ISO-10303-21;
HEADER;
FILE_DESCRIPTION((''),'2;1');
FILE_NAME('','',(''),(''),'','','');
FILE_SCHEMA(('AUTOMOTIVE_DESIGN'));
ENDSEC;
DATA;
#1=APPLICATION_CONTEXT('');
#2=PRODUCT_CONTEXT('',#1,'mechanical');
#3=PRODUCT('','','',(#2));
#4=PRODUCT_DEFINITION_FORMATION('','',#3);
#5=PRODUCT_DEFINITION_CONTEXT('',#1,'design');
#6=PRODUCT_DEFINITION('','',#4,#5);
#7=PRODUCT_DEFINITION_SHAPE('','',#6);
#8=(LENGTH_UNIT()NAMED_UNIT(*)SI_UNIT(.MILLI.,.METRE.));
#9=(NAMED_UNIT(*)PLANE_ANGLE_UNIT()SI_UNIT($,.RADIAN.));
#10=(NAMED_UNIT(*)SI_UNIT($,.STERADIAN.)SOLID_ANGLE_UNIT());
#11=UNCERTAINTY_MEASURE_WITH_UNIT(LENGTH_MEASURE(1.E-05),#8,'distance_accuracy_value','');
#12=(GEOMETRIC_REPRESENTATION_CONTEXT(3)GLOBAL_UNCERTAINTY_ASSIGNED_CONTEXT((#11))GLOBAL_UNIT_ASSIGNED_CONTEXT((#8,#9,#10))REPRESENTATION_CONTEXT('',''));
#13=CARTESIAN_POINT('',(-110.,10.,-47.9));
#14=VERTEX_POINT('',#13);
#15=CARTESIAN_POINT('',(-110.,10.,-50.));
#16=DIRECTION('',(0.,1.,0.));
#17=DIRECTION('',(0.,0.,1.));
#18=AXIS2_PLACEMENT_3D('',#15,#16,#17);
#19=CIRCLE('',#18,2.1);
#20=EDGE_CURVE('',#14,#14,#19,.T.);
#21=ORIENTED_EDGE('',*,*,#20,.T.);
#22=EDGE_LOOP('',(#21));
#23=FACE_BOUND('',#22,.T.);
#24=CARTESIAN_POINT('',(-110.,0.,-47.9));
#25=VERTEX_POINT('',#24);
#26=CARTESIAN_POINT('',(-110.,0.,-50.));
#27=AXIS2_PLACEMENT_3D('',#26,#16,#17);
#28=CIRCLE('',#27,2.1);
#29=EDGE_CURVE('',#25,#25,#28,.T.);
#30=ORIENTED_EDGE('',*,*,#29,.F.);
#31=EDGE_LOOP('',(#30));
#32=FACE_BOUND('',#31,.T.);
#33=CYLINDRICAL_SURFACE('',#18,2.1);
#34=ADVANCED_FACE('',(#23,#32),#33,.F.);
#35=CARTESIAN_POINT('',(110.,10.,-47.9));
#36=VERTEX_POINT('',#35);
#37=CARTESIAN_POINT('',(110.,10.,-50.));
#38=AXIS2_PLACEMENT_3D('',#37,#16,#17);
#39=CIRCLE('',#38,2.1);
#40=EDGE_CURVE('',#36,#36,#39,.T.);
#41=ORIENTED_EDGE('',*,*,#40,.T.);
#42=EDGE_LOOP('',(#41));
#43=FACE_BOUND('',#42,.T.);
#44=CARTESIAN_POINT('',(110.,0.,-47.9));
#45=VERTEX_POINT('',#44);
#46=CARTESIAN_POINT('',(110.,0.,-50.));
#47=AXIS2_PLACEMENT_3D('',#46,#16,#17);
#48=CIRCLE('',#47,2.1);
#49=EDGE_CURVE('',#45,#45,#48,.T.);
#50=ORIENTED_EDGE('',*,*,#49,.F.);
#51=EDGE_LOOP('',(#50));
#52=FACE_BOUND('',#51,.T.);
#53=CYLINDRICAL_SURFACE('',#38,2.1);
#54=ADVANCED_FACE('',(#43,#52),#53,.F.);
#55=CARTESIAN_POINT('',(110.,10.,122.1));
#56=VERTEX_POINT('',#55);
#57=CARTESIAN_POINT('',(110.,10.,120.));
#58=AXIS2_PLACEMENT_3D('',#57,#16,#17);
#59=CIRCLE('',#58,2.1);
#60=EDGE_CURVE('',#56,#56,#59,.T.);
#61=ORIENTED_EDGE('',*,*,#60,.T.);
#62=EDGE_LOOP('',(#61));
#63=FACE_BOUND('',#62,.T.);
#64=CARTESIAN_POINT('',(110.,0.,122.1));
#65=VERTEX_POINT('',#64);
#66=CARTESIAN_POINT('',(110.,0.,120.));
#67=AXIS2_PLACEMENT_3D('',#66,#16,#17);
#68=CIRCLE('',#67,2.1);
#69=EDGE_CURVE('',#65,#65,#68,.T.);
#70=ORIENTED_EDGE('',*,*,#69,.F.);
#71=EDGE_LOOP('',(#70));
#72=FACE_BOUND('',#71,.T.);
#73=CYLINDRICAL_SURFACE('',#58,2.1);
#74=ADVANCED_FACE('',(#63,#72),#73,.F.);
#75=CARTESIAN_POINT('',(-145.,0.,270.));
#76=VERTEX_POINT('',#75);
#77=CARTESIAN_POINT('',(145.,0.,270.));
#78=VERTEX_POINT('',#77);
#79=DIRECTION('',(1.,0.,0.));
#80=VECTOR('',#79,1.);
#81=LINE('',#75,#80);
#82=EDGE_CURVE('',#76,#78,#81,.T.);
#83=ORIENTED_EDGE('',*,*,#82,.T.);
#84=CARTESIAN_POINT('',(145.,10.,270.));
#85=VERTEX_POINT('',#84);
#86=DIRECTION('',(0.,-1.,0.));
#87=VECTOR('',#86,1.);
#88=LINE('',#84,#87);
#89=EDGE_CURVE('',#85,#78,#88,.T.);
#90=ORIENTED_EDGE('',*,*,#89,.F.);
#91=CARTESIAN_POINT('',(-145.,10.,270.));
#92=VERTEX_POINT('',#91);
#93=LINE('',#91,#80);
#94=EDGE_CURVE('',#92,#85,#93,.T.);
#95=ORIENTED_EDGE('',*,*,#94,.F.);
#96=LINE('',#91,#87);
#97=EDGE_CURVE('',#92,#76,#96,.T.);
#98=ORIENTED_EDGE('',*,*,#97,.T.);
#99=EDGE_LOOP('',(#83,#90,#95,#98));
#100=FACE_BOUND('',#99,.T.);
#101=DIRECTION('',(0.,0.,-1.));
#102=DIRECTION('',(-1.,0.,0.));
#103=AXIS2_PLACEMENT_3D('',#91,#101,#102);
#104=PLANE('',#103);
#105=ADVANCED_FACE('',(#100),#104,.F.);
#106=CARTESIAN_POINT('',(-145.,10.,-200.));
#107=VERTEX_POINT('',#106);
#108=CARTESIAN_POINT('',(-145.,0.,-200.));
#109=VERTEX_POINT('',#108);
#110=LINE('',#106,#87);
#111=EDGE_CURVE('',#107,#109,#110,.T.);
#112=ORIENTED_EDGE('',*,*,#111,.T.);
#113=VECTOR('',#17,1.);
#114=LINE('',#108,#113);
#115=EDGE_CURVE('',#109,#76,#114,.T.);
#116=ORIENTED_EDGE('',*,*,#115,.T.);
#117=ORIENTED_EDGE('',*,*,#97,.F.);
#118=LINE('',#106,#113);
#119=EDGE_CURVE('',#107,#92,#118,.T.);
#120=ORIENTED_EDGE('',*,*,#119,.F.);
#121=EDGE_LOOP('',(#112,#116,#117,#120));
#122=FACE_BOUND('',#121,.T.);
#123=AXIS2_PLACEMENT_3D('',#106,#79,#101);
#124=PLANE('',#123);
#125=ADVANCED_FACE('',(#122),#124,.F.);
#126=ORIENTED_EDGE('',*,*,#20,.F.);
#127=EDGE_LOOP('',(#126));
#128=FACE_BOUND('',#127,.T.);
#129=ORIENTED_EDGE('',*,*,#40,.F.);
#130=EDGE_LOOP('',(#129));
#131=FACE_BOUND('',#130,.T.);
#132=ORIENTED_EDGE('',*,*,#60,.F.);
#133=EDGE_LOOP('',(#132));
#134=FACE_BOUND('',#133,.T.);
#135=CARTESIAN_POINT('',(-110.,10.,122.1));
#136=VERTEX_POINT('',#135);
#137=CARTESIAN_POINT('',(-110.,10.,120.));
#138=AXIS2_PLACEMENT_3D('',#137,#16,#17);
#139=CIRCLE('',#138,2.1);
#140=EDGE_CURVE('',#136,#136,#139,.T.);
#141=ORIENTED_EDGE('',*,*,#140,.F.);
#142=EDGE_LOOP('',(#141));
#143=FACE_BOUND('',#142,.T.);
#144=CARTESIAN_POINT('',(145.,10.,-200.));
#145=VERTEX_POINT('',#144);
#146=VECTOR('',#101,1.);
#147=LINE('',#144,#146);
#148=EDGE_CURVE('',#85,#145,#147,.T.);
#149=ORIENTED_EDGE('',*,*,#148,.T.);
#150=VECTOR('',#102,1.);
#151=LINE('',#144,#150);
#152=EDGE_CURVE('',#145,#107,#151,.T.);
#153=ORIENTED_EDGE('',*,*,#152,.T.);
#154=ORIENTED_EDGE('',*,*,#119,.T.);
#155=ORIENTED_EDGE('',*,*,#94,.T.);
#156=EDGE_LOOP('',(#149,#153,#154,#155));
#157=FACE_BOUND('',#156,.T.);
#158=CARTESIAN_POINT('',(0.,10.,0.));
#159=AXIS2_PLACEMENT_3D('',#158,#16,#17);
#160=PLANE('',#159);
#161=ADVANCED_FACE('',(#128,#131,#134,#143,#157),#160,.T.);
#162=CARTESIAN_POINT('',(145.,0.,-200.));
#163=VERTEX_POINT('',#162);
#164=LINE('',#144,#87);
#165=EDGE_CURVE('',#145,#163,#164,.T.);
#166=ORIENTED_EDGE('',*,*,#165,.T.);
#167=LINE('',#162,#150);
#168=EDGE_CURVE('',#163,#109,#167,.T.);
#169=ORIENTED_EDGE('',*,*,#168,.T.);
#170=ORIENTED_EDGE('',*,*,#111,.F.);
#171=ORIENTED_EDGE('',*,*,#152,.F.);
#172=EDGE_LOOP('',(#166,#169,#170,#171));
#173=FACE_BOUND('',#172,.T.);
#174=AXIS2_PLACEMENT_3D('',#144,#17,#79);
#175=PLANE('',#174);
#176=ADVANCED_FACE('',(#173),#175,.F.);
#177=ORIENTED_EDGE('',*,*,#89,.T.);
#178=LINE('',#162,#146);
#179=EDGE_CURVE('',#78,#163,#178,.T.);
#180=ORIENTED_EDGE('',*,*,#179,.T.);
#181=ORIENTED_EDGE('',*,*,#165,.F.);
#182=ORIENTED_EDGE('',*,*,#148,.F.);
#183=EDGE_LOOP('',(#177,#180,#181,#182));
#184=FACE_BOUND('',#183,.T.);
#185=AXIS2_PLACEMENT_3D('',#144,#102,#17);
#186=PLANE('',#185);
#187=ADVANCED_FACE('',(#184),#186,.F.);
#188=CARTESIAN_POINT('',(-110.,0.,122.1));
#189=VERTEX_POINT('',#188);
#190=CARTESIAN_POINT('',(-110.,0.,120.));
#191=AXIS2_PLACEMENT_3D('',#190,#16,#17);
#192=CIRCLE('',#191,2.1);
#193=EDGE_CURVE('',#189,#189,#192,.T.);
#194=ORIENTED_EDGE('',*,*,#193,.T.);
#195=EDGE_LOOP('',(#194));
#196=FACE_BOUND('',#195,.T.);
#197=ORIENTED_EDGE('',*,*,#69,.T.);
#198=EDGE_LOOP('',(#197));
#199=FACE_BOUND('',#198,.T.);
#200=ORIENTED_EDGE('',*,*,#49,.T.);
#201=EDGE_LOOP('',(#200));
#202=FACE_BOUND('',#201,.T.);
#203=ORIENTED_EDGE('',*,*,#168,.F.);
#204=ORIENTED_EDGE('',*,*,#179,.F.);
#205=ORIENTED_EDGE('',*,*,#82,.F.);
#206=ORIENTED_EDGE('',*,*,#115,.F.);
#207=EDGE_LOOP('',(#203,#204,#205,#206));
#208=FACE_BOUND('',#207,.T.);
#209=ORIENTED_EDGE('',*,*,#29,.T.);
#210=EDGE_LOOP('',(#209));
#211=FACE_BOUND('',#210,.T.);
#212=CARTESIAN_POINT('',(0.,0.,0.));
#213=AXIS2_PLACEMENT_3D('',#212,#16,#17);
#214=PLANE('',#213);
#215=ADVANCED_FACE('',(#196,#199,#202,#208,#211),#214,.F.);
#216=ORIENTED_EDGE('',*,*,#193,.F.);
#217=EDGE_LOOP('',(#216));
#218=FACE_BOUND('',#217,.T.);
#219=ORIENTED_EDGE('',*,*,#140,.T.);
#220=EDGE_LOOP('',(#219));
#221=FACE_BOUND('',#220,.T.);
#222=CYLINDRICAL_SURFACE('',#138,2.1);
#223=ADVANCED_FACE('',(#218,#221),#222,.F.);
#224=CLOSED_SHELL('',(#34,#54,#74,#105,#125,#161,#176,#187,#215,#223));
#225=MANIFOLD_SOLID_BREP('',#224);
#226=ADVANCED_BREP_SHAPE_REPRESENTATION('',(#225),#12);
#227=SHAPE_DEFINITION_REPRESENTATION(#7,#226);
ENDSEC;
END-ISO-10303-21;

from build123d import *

# Parameters (mm, degrees)
SKETCH1_W             = 290
SKETCH1_H             = 470
BOSS_EXTRUDE1_DEPTH   = 10
M5X0_8_TAPPED_HOLE1_D = 4.2


with BuildPart() as part:
    # Sketch1 → Boss-Extrude1 (new body)
    with BuildSketch(Plane(origin=(0, 0, 0), x_dir=(1, 0, 0), z_dir=(0, 1, 0))):
        with Locations((0, -35)):
            Rectangle(SKETCH1_W, SKETCH1_H)
    extrude(amount=BOSS_EXTRUDE1_DEPTH)

    # M5x0.8 Tapped Hole1 (through all)
    with Locations(Plane(origin=(0, 10, 0), x_dir=(1, 0, 0), z_dir=(0, 1, 0))):
        with Locations((-110, 50), (110, 50), (110, -120), (-110, -120)):
            Hole(M5X0_8_TAPPED_HOLE1_D / 2)


solid = part.part
